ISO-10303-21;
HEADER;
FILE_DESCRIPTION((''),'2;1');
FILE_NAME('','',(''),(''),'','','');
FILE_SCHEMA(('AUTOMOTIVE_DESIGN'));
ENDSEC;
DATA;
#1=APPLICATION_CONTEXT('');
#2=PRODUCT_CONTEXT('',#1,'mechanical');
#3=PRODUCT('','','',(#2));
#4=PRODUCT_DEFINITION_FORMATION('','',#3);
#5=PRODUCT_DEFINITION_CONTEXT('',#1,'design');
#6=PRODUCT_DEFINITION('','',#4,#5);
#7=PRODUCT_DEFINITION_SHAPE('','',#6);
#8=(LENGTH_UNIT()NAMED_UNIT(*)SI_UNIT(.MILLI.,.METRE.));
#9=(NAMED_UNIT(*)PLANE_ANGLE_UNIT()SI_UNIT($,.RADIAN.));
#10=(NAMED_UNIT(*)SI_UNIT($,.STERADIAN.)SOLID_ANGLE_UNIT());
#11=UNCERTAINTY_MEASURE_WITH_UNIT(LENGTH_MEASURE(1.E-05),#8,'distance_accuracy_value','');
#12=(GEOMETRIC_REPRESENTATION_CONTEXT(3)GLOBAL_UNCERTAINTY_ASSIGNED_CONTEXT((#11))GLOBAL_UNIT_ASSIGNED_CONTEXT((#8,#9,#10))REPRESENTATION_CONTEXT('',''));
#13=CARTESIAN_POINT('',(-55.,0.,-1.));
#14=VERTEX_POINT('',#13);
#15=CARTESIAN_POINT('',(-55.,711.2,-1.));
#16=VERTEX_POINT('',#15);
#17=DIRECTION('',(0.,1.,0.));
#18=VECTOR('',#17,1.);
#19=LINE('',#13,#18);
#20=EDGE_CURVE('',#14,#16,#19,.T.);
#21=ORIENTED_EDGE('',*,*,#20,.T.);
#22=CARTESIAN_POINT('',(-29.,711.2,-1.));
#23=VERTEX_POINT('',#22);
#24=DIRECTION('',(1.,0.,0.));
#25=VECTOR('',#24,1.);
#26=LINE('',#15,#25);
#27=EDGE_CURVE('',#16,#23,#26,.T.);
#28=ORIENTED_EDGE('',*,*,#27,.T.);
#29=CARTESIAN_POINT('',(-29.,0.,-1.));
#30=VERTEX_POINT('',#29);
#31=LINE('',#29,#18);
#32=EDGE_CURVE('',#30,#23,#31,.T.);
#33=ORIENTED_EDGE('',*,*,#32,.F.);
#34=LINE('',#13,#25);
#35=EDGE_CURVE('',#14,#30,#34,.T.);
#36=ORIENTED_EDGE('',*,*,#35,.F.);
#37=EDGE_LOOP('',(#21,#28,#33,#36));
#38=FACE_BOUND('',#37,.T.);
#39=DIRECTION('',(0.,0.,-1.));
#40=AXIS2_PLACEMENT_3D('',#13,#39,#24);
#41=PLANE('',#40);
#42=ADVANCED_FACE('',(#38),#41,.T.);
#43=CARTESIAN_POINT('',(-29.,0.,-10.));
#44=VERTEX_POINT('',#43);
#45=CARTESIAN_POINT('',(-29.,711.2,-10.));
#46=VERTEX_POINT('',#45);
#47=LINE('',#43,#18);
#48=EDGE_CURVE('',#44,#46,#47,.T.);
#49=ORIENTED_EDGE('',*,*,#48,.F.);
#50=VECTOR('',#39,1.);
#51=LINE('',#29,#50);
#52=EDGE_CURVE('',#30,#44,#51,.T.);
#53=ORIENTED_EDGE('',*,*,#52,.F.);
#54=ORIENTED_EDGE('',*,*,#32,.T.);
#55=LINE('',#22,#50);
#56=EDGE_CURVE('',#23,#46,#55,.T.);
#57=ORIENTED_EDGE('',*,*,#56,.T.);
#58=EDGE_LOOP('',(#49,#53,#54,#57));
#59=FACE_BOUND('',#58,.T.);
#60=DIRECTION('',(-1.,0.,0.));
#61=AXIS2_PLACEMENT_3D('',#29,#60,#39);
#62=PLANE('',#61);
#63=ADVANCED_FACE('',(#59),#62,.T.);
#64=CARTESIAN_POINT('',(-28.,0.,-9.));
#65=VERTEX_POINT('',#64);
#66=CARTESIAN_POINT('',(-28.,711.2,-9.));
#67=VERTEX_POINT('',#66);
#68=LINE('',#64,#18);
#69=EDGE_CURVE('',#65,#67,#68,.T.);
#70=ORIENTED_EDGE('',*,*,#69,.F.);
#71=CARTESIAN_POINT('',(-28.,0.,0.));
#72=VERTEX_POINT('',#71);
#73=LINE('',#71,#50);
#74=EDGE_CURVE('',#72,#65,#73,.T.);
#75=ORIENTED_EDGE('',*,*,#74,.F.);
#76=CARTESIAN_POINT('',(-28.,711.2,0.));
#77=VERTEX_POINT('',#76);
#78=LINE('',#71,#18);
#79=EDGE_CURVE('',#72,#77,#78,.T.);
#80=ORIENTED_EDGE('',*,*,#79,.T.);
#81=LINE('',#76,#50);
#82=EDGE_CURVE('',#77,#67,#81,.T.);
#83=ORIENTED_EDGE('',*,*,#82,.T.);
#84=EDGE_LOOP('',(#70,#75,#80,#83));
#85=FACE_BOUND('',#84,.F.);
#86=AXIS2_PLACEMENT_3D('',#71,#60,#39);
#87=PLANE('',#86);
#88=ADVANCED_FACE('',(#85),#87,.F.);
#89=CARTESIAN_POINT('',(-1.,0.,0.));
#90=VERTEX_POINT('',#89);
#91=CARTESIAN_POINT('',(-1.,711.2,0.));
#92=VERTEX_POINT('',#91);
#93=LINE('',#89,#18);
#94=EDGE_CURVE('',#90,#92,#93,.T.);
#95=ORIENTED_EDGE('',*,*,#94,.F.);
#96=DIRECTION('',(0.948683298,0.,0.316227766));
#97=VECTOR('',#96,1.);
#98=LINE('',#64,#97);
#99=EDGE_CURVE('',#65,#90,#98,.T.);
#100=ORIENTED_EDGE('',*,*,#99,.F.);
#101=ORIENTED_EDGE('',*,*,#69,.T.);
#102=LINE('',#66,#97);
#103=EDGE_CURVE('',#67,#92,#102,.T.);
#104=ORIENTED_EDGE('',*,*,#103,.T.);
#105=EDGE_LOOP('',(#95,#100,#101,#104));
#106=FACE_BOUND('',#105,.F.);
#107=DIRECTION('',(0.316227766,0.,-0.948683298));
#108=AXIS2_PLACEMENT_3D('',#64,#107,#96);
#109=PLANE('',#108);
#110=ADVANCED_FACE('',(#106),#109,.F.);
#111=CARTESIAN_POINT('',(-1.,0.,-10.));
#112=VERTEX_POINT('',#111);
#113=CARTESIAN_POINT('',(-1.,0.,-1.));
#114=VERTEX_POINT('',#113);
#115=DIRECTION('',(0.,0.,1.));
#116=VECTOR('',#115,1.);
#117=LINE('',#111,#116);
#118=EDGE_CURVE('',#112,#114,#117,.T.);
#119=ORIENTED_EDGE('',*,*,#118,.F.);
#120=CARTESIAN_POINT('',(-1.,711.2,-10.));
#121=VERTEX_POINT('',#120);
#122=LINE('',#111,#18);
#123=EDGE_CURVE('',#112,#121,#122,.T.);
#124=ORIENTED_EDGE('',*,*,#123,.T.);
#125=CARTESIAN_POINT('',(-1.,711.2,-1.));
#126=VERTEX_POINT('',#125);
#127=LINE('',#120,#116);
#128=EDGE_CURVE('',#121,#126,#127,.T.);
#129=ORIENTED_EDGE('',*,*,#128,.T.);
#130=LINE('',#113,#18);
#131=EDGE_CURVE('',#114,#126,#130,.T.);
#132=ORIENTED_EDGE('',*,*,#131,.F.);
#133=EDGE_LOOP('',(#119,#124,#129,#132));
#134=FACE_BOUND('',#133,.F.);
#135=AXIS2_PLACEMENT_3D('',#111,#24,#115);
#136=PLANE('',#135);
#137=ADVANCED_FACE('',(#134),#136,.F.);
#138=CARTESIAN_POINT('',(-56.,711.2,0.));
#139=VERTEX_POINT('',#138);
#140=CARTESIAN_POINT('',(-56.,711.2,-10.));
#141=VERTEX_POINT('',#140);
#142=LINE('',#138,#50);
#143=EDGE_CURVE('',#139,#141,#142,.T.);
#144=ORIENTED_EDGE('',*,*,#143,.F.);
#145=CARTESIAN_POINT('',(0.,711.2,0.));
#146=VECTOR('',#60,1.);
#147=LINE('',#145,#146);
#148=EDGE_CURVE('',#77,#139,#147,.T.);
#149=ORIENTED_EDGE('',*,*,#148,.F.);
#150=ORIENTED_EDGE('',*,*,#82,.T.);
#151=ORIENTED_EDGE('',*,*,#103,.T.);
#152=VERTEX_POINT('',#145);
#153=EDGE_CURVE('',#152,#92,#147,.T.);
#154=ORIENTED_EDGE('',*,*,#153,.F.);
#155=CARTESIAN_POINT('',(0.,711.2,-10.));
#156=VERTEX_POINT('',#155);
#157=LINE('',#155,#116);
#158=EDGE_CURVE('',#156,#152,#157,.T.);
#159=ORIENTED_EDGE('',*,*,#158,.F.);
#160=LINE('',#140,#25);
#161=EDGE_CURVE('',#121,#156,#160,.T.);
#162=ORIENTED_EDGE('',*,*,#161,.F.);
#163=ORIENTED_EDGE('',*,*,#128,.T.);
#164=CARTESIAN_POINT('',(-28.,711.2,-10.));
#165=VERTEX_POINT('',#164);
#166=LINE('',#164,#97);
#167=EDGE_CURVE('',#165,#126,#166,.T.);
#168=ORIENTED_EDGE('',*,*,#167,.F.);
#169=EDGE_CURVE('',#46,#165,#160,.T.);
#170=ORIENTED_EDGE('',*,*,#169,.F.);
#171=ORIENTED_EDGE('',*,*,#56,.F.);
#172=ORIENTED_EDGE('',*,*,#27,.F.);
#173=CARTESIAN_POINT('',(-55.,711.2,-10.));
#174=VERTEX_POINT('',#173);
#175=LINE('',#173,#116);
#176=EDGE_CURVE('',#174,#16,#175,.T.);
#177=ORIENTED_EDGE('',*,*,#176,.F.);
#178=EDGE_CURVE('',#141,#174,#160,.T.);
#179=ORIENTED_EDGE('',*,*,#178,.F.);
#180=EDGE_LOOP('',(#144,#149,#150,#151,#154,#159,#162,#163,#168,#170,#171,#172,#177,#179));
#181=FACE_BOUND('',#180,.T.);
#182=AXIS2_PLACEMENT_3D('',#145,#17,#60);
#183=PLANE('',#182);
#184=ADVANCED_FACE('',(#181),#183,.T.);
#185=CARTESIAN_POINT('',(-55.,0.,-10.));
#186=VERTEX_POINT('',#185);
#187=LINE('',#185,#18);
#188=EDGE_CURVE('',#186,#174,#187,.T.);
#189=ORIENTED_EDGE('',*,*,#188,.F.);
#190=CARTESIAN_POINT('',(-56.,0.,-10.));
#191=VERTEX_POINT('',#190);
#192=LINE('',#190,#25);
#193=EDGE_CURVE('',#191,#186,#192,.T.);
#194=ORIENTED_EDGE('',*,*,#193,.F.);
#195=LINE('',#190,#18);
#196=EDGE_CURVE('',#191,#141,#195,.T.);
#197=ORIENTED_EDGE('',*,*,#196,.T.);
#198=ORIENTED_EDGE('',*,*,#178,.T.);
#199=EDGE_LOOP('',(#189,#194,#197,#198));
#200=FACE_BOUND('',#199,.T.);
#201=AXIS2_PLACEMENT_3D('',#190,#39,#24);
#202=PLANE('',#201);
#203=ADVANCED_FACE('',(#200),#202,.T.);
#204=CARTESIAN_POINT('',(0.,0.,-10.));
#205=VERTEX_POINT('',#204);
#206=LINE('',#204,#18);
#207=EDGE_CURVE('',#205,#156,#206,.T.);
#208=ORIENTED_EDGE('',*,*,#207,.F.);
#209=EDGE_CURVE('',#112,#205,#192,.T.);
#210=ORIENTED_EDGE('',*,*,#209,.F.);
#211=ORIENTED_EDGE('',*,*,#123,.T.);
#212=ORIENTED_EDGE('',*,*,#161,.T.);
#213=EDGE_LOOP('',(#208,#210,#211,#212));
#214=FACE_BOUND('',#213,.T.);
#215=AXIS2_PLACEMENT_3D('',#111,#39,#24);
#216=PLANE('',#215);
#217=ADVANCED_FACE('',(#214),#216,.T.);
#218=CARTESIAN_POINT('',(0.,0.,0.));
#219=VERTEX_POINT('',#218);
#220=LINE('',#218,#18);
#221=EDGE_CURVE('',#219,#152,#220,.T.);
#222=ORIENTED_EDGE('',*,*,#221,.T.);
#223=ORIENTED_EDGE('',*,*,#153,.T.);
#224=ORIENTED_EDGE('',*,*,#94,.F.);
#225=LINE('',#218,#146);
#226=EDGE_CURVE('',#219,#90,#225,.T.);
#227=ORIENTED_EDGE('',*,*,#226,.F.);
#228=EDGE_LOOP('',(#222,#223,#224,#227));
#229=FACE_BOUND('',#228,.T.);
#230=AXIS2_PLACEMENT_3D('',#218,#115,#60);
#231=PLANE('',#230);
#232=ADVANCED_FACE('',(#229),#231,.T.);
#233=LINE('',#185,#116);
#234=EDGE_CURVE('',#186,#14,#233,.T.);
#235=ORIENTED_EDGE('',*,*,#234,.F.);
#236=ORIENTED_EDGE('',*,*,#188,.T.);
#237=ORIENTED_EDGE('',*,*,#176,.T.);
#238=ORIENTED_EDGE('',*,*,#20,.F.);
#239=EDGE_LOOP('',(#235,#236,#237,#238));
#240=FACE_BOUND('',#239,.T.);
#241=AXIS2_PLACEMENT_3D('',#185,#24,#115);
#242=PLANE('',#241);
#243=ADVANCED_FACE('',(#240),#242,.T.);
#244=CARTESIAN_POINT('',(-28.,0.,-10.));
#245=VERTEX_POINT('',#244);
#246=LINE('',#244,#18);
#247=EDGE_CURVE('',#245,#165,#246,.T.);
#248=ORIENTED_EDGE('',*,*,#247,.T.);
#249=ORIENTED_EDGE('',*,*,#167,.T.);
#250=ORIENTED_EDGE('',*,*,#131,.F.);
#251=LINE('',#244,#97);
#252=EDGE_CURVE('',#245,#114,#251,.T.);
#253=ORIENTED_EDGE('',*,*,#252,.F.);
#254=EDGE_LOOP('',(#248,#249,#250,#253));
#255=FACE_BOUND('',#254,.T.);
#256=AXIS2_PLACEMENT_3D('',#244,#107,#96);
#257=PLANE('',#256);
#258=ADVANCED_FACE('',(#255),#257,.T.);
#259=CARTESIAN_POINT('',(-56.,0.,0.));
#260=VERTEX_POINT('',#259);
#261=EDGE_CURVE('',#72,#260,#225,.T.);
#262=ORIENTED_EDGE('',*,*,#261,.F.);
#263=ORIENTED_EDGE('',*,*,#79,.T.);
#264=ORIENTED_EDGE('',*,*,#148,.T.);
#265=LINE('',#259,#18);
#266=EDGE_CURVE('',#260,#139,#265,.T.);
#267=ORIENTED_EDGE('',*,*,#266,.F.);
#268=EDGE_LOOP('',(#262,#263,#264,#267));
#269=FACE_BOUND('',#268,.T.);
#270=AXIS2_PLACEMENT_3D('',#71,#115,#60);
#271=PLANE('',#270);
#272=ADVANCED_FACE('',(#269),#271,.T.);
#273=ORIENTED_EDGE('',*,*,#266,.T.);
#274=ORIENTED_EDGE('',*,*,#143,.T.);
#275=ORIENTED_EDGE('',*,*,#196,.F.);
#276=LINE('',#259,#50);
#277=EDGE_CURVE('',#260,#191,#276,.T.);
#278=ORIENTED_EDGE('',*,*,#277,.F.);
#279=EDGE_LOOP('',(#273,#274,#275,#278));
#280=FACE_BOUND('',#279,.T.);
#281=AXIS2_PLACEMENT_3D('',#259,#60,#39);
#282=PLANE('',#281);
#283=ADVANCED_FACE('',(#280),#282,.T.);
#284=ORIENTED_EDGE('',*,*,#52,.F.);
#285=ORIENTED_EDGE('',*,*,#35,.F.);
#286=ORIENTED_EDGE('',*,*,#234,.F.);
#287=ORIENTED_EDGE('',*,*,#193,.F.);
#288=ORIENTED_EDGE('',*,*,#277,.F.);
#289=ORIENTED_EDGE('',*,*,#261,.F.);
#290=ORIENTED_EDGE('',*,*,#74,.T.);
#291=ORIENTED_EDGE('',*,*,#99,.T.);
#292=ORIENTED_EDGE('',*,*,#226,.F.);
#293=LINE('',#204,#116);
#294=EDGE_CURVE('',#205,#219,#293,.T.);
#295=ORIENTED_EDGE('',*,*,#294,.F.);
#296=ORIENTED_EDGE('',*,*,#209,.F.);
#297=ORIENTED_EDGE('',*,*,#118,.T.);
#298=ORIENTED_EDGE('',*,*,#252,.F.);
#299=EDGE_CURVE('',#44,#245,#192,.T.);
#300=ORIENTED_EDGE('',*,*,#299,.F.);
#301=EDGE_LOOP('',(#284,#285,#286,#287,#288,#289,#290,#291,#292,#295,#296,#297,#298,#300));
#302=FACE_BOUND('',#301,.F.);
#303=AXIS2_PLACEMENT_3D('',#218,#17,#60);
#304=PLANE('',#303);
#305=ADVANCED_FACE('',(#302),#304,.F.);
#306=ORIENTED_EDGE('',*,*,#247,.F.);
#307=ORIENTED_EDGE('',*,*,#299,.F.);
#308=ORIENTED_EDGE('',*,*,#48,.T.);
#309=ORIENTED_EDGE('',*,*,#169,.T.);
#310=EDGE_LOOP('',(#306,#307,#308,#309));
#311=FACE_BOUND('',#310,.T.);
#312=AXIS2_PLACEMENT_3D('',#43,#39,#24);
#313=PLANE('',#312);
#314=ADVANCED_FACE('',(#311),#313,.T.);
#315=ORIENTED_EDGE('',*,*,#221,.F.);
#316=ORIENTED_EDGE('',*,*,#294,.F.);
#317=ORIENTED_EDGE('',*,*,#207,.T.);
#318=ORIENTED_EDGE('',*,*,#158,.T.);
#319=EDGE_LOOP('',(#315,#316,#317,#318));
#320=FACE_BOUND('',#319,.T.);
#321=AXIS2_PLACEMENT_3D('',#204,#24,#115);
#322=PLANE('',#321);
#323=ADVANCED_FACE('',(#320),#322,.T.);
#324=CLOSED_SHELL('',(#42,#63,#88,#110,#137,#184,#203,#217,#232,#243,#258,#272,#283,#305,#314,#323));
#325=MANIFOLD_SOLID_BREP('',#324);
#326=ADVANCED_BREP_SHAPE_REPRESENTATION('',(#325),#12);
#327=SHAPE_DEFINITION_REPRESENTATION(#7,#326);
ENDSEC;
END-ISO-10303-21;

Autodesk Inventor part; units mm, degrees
ref_plane "YZ Plane" through (0, 0, 0) normal (1, 0, 0) x (0, 1, 0)
ref_plane "XZ Plane" through (0, 0, 0) normal (0, 1, 0) x (-1, 0, 0)
ref_plane "XY Plane" through (0, 0, 0) normal (0, 0, 1) x (1, 0, 0)
sketch "Sketch1" plane through (0, 0, 0) normal (0, 1, 0) x (-1, 0, 0)
  line L0 (0, 0) -> (56, 0)
  line L1 (56, 0) -> (56, -10)
  line L2 (56, -10) -> (0, -10)
  line L3 (0, -10) -> (0, 0)
  line L4 (55, -10) -> (55, -1)
  line L5 (55, -1) -> (29, -1)
  line L6 (29, -1) -> (29, -10)
  line L7 (29, -10) -> (55, -10)
  line L8 (1, -10) -> (1, -1)
  line L9 (29, -10) -> (28, -10)
  line L10 (28, -10) -> (1, -1)
  line L11 (28, 0) -> (28, -9)
  line L12 (28, -9) -> (1, 0)
  dimension "d0" = 56
  dimension "d1" = 10
  dimension "d2" = 9
  dimension "d3" = 26
  dimension "d4" = 9
extrude "Extrusion1" add sketch "Sketch1" along normal blind 711.2 contours L0 L12 L11 L1 L2 L4 L5 L6 L10 L8 L3
properties part number "Wireholder" material "Aluminum 6061"
